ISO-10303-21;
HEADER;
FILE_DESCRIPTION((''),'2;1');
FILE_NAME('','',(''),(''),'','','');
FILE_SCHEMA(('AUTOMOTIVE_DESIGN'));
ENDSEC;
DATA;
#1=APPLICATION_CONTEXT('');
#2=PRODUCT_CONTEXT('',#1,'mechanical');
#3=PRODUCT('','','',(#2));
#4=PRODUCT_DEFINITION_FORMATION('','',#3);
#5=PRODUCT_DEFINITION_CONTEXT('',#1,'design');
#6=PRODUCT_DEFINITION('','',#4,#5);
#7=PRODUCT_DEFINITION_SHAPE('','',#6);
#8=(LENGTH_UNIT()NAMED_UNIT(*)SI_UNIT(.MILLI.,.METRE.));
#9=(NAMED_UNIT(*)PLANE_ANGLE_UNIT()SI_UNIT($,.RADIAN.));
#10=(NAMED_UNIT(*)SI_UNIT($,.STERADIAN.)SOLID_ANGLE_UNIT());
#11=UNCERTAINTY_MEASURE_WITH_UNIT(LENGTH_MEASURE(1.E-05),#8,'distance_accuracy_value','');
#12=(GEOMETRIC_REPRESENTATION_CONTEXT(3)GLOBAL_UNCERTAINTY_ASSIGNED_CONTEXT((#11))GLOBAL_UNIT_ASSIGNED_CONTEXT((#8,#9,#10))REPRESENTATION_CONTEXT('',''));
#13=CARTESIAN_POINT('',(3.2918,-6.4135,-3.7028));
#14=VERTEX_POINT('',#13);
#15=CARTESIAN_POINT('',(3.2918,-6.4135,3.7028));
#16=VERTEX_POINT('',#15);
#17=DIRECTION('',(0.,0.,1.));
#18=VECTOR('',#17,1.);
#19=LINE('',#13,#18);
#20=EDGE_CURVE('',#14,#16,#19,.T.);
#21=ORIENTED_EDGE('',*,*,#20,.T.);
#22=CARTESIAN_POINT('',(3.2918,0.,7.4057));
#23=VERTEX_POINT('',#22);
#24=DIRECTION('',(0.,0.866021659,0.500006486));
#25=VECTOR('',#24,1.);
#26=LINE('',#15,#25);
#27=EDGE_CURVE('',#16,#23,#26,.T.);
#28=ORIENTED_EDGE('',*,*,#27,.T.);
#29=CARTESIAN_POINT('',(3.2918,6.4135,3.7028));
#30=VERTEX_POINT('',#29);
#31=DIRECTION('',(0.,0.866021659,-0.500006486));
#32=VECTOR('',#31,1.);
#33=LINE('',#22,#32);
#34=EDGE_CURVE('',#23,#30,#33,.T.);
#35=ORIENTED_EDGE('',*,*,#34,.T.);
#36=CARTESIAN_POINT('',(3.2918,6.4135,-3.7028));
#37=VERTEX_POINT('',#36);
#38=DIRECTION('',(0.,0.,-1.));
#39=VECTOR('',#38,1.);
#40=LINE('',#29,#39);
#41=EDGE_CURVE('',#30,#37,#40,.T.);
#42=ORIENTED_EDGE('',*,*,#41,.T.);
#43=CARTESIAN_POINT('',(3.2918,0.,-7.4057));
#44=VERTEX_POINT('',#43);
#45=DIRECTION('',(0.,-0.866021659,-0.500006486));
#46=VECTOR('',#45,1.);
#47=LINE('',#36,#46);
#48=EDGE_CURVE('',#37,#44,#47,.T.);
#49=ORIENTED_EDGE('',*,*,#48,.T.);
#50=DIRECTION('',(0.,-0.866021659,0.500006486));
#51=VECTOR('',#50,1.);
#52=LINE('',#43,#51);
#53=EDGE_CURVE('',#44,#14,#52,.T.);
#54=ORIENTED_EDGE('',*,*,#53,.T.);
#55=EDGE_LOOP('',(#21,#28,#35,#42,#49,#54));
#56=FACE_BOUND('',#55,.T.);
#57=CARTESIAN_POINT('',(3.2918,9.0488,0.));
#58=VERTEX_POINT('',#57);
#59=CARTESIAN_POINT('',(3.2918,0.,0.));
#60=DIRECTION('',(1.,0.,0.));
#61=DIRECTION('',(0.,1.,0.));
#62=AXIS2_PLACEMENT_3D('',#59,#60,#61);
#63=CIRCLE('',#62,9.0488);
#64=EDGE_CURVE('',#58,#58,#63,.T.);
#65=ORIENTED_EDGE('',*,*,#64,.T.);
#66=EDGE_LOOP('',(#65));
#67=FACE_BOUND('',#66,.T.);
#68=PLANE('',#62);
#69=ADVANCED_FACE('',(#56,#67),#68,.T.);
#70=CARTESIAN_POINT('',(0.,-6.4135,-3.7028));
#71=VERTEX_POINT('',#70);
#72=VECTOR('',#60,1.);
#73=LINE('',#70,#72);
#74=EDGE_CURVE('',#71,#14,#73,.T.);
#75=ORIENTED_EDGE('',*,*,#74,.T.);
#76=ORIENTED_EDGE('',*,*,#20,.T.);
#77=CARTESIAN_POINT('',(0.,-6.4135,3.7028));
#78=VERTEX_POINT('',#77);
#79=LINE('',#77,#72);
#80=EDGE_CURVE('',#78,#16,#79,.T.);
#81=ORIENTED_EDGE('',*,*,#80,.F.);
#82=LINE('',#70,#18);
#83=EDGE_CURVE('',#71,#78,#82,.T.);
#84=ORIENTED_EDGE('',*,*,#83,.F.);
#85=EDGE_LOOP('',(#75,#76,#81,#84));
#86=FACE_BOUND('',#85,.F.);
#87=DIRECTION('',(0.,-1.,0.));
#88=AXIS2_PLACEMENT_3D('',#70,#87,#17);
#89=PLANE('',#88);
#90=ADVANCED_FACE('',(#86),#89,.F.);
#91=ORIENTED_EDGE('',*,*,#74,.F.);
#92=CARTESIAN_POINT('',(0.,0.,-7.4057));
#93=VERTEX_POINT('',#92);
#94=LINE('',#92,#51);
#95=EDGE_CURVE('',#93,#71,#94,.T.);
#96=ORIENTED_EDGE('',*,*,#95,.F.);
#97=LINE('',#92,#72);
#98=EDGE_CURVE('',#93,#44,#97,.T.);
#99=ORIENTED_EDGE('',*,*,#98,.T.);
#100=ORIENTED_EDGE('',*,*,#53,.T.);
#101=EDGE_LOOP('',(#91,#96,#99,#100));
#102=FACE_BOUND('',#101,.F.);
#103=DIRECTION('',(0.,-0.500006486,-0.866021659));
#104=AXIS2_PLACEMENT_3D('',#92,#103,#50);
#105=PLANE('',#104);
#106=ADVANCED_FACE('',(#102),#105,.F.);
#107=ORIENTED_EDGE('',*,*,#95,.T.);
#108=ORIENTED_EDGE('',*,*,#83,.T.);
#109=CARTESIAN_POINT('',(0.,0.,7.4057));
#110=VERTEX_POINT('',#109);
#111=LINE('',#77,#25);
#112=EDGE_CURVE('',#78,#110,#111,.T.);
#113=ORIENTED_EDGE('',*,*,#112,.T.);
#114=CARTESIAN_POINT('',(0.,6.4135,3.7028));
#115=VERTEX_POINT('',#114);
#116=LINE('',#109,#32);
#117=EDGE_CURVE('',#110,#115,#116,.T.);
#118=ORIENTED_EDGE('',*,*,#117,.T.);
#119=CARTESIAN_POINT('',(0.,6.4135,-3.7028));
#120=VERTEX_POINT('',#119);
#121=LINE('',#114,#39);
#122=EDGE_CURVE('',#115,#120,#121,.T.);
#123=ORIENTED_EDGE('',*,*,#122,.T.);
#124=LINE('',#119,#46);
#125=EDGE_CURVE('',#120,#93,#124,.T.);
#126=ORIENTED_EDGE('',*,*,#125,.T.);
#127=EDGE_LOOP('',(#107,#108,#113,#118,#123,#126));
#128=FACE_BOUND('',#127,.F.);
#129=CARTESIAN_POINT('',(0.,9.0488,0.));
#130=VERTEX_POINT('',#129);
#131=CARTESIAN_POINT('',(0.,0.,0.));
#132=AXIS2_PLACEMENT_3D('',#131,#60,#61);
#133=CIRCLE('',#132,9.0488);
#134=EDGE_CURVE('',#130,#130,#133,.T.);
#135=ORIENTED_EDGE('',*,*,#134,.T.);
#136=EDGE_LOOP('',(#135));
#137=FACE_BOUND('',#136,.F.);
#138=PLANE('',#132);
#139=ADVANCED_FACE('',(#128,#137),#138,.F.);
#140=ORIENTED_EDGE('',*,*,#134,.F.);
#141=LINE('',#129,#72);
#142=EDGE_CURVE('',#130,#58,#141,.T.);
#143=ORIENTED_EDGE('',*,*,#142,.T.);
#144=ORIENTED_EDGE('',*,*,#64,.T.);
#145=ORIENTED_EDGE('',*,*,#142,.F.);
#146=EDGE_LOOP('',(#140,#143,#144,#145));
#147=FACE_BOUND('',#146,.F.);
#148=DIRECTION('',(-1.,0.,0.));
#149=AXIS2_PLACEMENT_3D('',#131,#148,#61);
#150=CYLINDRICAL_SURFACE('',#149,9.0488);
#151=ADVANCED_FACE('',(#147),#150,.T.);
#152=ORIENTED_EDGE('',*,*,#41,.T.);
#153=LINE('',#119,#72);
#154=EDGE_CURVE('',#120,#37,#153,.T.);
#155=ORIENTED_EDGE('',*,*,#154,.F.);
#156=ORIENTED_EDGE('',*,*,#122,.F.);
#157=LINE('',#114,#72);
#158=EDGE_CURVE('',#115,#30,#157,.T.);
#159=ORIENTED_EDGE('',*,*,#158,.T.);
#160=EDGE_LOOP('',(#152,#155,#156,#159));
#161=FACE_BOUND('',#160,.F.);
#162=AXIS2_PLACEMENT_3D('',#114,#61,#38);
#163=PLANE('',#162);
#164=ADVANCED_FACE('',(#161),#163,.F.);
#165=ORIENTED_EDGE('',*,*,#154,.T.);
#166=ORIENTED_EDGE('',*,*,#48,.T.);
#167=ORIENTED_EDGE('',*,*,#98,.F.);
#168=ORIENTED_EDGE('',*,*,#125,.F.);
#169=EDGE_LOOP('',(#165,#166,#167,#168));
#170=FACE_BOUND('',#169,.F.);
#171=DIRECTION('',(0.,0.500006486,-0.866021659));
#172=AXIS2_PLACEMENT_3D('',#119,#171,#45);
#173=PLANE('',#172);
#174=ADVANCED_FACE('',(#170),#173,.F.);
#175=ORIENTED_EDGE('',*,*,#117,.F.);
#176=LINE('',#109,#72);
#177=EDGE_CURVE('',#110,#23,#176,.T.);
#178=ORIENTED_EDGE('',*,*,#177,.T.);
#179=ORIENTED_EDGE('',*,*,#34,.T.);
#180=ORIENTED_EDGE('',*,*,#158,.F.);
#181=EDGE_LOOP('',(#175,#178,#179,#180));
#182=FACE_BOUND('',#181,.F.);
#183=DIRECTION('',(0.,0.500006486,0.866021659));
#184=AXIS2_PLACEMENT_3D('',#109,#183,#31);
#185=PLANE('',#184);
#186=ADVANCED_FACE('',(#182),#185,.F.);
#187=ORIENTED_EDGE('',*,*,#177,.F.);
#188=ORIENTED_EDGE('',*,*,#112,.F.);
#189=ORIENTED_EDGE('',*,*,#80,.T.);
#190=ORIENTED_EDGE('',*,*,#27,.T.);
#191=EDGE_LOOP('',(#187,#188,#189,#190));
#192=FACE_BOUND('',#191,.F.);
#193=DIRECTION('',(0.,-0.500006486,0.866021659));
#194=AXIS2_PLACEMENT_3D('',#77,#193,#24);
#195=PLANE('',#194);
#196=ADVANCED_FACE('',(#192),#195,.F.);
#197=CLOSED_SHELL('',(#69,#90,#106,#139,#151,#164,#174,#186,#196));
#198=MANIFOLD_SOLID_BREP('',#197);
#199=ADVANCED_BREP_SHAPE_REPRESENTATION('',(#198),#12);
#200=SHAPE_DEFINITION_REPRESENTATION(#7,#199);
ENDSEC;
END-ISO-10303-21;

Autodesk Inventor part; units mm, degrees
ref_plane "YZ Plane" through (0, 0, 0) normal (1, 0, 0) x (0, 1, 0)
ref_plane "XZ Plane" through (0, 0, 0) normal (0, 1, 0) x (-1, 0, 0)
ref_plane "XY Plane" through (0, 0, 0) normal (0, 0, 1) x (1, 0, 0)
sketch "Sketch1" plane through (0, 0, 0) normal (1, 0, 0) x (0, 1, 0)
  line L0 (6.4135, -3.7028) -> (0, -7.4057)
  line L1 (0, -7.4057) -> (-6.4135, -3.7028)
  line L2 (-6.4135, -3.7028) -> (-6.4135, 3.7028)
  line L3 (-6.4135, 3.7028) -> (0, 7.4057)
  line L4 (0, 7.4057) -> (6.4135, 3.7028)
  line L5 (6.4135, 3.7028) -> (6.4135, -3.7028)
  circle A0 centre (0, 0) radius 9.0488
  dimension "d0" = 12.827
  dimension "d1" = 18.0975
extrude "Extrusion1" add sketch "Sketch1" along normal blind 3.2918
properties part number "3DPRINT,FLYWHEEL,SPACER" material "ABS Plastic"
